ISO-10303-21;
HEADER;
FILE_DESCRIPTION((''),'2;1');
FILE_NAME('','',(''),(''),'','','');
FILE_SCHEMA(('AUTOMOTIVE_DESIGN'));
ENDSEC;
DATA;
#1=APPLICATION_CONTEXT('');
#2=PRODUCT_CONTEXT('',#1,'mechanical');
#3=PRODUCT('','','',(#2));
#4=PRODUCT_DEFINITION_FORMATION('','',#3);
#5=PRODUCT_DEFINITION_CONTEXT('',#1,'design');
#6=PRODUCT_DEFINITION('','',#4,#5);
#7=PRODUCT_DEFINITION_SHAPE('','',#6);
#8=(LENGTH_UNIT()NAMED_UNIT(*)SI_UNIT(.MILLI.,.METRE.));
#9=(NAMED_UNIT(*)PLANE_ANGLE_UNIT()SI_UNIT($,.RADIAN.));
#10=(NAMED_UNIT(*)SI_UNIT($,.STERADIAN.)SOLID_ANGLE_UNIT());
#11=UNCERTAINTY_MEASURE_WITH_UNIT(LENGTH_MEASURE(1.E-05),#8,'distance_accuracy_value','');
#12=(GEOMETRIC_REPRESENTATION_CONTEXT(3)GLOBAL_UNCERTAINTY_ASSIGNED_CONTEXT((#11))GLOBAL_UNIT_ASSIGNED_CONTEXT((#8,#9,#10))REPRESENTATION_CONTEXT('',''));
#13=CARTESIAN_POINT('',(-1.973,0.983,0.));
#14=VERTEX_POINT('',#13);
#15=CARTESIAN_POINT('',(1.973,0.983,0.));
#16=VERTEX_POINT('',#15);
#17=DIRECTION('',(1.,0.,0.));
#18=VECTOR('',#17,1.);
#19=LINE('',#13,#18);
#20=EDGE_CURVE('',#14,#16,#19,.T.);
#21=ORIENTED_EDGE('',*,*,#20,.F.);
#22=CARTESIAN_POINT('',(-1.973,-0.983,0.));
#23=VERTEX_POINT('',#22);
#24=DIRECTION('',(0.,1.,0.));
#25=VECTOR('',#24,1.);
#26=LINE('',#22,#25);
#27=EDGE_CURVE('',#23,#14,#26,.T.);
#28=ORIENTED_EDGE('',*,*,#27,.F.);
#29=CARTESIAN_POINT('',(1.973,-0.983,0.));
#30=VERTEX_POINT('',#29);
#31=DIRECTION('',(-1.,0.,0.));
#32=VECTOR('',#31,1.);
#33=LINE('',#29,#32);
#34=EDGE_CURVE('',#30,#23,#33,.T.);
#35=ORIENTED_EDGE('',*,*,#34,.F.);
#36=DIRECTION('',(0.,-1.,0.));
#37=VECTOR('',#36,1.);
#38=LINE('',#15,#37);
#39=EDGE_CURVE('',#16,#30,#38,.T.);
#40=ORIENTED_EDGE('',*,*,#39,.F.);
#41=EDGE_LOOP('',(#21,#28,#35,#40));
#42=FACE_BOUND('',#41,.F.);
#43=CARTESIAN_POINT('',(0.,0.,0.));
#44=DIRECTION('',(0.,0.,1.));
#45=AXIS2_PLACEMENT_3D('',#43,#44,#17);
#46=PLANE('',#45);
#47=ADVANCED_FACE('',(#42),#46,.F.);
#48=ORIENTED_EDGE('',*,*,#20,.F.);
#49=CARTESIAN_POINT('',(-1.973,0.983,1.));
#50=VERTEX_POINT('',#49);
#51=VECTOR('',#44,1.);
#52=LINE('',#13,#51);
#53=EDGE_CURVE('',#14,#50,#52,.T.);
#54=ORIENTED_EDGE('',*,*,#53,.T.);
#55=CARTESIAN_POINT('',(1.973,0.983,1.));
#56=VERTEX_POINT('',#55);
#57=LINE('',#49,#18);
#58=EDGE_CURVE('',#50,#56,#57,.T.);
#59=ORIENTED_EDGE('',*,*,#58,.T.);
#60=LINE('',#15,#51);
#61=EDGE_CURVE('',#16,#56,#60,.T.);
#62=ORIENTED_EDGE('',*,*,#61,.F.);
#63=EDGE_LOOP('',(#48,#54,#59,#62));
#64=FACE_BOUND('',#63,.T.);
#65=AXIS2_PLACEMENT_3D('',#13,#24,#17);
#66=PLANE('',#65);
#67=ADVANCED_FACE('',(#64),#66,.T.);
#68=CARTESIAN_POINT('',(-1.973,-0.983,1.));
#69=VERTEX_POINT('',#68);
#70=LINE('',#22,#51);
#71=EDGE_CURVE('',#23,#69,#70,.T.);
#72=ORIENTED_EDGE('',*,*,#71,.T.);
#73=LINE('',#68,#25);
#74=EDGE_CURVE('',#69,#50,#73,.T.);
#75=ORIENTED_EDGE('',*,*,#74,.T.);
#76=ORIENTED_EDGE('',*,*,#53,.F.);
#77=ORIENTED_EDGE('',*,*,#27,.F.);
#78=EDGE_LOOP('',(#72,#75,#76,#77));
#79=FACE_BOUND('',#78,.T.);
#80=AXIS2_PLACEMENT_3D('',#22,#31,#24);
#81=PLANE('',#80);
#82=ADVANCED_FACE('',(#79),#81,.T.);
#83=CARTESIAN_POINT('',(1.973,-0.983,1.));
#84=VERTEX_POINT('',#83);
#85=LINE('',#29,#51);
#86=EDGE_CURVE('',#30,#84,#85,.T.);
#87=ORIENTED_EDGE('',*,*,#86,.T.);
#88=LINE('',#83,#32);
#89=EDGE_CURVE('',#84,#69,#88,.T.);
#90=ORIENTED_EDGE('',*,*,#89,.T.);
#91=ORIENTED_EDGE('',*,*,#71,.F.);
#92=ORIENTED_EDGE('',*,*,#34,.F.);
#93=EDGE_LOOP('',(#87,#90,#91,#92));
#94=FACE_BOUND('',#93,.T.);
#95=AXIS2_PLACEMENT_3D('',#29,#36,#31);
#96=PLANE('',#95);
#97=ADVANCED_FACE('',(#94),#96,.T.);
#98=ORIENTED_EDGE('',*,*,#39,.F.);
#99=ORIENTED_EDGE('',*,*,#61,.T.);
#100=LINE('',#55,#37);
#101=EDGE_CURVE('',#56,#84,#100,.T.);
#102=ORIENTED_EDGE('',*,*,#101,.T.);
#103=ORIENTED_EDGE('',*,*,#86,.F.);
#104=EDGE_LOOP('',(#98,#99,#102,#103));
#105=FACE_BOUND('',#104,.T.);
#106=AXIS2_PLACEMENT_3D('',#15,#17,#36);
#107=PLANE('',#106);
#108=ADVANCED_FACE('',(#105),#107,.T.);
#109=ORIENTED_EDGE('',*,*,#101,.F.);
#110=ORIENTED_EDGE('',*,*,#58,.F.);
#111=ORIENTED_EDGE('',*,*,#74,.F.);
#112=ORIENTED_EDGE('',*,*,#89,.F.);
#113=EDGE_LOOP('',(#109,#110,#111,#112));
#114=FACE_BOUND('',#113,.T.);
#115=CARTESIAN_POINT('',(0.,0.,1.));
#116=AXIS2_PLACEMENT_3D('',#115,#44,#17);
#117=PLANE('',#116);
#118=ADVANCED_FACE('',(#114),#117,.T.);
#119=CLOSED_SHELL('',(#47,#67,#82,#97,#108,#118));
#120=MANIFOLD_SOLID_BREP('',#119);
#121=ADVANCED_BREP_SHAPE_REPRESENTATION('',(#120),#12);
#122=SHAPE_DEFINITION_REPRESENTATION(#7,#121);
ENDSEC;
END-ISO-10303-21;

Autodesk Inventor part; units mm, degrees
ref_plane "YZ Plane" through (0, 0, 0) normal (1, 0, 0) x (0, 1, 0)
ref_plane "XZ Plane" through (0, 0, 0) normal (0, 1, 0) x (-1, 0, 0)
ref_plane "XY Plane" through (0, 0, 0) normal (0, 0, 1) x (1, 0, 0)
sketch "R0805, 4_7K_59" plane through (0, 0, 0) normal (0, 0, 1) x (1, 0, 0)
  line L0 (-1.973, 0.983) -> (1.973, 0.983)
  line L1 (1.973, 0.983) -> (1.973, -0.983)
  line L2 (1.973, -0.983) -> (-1.973, -0.983)
  line L3 (-1.973, -0.983) -> (-1.973, 0.983)
extrude "Extrusion1" add sketch "R0805, 4_7K_59" along normal blind 1
properties part number "4_7K"
